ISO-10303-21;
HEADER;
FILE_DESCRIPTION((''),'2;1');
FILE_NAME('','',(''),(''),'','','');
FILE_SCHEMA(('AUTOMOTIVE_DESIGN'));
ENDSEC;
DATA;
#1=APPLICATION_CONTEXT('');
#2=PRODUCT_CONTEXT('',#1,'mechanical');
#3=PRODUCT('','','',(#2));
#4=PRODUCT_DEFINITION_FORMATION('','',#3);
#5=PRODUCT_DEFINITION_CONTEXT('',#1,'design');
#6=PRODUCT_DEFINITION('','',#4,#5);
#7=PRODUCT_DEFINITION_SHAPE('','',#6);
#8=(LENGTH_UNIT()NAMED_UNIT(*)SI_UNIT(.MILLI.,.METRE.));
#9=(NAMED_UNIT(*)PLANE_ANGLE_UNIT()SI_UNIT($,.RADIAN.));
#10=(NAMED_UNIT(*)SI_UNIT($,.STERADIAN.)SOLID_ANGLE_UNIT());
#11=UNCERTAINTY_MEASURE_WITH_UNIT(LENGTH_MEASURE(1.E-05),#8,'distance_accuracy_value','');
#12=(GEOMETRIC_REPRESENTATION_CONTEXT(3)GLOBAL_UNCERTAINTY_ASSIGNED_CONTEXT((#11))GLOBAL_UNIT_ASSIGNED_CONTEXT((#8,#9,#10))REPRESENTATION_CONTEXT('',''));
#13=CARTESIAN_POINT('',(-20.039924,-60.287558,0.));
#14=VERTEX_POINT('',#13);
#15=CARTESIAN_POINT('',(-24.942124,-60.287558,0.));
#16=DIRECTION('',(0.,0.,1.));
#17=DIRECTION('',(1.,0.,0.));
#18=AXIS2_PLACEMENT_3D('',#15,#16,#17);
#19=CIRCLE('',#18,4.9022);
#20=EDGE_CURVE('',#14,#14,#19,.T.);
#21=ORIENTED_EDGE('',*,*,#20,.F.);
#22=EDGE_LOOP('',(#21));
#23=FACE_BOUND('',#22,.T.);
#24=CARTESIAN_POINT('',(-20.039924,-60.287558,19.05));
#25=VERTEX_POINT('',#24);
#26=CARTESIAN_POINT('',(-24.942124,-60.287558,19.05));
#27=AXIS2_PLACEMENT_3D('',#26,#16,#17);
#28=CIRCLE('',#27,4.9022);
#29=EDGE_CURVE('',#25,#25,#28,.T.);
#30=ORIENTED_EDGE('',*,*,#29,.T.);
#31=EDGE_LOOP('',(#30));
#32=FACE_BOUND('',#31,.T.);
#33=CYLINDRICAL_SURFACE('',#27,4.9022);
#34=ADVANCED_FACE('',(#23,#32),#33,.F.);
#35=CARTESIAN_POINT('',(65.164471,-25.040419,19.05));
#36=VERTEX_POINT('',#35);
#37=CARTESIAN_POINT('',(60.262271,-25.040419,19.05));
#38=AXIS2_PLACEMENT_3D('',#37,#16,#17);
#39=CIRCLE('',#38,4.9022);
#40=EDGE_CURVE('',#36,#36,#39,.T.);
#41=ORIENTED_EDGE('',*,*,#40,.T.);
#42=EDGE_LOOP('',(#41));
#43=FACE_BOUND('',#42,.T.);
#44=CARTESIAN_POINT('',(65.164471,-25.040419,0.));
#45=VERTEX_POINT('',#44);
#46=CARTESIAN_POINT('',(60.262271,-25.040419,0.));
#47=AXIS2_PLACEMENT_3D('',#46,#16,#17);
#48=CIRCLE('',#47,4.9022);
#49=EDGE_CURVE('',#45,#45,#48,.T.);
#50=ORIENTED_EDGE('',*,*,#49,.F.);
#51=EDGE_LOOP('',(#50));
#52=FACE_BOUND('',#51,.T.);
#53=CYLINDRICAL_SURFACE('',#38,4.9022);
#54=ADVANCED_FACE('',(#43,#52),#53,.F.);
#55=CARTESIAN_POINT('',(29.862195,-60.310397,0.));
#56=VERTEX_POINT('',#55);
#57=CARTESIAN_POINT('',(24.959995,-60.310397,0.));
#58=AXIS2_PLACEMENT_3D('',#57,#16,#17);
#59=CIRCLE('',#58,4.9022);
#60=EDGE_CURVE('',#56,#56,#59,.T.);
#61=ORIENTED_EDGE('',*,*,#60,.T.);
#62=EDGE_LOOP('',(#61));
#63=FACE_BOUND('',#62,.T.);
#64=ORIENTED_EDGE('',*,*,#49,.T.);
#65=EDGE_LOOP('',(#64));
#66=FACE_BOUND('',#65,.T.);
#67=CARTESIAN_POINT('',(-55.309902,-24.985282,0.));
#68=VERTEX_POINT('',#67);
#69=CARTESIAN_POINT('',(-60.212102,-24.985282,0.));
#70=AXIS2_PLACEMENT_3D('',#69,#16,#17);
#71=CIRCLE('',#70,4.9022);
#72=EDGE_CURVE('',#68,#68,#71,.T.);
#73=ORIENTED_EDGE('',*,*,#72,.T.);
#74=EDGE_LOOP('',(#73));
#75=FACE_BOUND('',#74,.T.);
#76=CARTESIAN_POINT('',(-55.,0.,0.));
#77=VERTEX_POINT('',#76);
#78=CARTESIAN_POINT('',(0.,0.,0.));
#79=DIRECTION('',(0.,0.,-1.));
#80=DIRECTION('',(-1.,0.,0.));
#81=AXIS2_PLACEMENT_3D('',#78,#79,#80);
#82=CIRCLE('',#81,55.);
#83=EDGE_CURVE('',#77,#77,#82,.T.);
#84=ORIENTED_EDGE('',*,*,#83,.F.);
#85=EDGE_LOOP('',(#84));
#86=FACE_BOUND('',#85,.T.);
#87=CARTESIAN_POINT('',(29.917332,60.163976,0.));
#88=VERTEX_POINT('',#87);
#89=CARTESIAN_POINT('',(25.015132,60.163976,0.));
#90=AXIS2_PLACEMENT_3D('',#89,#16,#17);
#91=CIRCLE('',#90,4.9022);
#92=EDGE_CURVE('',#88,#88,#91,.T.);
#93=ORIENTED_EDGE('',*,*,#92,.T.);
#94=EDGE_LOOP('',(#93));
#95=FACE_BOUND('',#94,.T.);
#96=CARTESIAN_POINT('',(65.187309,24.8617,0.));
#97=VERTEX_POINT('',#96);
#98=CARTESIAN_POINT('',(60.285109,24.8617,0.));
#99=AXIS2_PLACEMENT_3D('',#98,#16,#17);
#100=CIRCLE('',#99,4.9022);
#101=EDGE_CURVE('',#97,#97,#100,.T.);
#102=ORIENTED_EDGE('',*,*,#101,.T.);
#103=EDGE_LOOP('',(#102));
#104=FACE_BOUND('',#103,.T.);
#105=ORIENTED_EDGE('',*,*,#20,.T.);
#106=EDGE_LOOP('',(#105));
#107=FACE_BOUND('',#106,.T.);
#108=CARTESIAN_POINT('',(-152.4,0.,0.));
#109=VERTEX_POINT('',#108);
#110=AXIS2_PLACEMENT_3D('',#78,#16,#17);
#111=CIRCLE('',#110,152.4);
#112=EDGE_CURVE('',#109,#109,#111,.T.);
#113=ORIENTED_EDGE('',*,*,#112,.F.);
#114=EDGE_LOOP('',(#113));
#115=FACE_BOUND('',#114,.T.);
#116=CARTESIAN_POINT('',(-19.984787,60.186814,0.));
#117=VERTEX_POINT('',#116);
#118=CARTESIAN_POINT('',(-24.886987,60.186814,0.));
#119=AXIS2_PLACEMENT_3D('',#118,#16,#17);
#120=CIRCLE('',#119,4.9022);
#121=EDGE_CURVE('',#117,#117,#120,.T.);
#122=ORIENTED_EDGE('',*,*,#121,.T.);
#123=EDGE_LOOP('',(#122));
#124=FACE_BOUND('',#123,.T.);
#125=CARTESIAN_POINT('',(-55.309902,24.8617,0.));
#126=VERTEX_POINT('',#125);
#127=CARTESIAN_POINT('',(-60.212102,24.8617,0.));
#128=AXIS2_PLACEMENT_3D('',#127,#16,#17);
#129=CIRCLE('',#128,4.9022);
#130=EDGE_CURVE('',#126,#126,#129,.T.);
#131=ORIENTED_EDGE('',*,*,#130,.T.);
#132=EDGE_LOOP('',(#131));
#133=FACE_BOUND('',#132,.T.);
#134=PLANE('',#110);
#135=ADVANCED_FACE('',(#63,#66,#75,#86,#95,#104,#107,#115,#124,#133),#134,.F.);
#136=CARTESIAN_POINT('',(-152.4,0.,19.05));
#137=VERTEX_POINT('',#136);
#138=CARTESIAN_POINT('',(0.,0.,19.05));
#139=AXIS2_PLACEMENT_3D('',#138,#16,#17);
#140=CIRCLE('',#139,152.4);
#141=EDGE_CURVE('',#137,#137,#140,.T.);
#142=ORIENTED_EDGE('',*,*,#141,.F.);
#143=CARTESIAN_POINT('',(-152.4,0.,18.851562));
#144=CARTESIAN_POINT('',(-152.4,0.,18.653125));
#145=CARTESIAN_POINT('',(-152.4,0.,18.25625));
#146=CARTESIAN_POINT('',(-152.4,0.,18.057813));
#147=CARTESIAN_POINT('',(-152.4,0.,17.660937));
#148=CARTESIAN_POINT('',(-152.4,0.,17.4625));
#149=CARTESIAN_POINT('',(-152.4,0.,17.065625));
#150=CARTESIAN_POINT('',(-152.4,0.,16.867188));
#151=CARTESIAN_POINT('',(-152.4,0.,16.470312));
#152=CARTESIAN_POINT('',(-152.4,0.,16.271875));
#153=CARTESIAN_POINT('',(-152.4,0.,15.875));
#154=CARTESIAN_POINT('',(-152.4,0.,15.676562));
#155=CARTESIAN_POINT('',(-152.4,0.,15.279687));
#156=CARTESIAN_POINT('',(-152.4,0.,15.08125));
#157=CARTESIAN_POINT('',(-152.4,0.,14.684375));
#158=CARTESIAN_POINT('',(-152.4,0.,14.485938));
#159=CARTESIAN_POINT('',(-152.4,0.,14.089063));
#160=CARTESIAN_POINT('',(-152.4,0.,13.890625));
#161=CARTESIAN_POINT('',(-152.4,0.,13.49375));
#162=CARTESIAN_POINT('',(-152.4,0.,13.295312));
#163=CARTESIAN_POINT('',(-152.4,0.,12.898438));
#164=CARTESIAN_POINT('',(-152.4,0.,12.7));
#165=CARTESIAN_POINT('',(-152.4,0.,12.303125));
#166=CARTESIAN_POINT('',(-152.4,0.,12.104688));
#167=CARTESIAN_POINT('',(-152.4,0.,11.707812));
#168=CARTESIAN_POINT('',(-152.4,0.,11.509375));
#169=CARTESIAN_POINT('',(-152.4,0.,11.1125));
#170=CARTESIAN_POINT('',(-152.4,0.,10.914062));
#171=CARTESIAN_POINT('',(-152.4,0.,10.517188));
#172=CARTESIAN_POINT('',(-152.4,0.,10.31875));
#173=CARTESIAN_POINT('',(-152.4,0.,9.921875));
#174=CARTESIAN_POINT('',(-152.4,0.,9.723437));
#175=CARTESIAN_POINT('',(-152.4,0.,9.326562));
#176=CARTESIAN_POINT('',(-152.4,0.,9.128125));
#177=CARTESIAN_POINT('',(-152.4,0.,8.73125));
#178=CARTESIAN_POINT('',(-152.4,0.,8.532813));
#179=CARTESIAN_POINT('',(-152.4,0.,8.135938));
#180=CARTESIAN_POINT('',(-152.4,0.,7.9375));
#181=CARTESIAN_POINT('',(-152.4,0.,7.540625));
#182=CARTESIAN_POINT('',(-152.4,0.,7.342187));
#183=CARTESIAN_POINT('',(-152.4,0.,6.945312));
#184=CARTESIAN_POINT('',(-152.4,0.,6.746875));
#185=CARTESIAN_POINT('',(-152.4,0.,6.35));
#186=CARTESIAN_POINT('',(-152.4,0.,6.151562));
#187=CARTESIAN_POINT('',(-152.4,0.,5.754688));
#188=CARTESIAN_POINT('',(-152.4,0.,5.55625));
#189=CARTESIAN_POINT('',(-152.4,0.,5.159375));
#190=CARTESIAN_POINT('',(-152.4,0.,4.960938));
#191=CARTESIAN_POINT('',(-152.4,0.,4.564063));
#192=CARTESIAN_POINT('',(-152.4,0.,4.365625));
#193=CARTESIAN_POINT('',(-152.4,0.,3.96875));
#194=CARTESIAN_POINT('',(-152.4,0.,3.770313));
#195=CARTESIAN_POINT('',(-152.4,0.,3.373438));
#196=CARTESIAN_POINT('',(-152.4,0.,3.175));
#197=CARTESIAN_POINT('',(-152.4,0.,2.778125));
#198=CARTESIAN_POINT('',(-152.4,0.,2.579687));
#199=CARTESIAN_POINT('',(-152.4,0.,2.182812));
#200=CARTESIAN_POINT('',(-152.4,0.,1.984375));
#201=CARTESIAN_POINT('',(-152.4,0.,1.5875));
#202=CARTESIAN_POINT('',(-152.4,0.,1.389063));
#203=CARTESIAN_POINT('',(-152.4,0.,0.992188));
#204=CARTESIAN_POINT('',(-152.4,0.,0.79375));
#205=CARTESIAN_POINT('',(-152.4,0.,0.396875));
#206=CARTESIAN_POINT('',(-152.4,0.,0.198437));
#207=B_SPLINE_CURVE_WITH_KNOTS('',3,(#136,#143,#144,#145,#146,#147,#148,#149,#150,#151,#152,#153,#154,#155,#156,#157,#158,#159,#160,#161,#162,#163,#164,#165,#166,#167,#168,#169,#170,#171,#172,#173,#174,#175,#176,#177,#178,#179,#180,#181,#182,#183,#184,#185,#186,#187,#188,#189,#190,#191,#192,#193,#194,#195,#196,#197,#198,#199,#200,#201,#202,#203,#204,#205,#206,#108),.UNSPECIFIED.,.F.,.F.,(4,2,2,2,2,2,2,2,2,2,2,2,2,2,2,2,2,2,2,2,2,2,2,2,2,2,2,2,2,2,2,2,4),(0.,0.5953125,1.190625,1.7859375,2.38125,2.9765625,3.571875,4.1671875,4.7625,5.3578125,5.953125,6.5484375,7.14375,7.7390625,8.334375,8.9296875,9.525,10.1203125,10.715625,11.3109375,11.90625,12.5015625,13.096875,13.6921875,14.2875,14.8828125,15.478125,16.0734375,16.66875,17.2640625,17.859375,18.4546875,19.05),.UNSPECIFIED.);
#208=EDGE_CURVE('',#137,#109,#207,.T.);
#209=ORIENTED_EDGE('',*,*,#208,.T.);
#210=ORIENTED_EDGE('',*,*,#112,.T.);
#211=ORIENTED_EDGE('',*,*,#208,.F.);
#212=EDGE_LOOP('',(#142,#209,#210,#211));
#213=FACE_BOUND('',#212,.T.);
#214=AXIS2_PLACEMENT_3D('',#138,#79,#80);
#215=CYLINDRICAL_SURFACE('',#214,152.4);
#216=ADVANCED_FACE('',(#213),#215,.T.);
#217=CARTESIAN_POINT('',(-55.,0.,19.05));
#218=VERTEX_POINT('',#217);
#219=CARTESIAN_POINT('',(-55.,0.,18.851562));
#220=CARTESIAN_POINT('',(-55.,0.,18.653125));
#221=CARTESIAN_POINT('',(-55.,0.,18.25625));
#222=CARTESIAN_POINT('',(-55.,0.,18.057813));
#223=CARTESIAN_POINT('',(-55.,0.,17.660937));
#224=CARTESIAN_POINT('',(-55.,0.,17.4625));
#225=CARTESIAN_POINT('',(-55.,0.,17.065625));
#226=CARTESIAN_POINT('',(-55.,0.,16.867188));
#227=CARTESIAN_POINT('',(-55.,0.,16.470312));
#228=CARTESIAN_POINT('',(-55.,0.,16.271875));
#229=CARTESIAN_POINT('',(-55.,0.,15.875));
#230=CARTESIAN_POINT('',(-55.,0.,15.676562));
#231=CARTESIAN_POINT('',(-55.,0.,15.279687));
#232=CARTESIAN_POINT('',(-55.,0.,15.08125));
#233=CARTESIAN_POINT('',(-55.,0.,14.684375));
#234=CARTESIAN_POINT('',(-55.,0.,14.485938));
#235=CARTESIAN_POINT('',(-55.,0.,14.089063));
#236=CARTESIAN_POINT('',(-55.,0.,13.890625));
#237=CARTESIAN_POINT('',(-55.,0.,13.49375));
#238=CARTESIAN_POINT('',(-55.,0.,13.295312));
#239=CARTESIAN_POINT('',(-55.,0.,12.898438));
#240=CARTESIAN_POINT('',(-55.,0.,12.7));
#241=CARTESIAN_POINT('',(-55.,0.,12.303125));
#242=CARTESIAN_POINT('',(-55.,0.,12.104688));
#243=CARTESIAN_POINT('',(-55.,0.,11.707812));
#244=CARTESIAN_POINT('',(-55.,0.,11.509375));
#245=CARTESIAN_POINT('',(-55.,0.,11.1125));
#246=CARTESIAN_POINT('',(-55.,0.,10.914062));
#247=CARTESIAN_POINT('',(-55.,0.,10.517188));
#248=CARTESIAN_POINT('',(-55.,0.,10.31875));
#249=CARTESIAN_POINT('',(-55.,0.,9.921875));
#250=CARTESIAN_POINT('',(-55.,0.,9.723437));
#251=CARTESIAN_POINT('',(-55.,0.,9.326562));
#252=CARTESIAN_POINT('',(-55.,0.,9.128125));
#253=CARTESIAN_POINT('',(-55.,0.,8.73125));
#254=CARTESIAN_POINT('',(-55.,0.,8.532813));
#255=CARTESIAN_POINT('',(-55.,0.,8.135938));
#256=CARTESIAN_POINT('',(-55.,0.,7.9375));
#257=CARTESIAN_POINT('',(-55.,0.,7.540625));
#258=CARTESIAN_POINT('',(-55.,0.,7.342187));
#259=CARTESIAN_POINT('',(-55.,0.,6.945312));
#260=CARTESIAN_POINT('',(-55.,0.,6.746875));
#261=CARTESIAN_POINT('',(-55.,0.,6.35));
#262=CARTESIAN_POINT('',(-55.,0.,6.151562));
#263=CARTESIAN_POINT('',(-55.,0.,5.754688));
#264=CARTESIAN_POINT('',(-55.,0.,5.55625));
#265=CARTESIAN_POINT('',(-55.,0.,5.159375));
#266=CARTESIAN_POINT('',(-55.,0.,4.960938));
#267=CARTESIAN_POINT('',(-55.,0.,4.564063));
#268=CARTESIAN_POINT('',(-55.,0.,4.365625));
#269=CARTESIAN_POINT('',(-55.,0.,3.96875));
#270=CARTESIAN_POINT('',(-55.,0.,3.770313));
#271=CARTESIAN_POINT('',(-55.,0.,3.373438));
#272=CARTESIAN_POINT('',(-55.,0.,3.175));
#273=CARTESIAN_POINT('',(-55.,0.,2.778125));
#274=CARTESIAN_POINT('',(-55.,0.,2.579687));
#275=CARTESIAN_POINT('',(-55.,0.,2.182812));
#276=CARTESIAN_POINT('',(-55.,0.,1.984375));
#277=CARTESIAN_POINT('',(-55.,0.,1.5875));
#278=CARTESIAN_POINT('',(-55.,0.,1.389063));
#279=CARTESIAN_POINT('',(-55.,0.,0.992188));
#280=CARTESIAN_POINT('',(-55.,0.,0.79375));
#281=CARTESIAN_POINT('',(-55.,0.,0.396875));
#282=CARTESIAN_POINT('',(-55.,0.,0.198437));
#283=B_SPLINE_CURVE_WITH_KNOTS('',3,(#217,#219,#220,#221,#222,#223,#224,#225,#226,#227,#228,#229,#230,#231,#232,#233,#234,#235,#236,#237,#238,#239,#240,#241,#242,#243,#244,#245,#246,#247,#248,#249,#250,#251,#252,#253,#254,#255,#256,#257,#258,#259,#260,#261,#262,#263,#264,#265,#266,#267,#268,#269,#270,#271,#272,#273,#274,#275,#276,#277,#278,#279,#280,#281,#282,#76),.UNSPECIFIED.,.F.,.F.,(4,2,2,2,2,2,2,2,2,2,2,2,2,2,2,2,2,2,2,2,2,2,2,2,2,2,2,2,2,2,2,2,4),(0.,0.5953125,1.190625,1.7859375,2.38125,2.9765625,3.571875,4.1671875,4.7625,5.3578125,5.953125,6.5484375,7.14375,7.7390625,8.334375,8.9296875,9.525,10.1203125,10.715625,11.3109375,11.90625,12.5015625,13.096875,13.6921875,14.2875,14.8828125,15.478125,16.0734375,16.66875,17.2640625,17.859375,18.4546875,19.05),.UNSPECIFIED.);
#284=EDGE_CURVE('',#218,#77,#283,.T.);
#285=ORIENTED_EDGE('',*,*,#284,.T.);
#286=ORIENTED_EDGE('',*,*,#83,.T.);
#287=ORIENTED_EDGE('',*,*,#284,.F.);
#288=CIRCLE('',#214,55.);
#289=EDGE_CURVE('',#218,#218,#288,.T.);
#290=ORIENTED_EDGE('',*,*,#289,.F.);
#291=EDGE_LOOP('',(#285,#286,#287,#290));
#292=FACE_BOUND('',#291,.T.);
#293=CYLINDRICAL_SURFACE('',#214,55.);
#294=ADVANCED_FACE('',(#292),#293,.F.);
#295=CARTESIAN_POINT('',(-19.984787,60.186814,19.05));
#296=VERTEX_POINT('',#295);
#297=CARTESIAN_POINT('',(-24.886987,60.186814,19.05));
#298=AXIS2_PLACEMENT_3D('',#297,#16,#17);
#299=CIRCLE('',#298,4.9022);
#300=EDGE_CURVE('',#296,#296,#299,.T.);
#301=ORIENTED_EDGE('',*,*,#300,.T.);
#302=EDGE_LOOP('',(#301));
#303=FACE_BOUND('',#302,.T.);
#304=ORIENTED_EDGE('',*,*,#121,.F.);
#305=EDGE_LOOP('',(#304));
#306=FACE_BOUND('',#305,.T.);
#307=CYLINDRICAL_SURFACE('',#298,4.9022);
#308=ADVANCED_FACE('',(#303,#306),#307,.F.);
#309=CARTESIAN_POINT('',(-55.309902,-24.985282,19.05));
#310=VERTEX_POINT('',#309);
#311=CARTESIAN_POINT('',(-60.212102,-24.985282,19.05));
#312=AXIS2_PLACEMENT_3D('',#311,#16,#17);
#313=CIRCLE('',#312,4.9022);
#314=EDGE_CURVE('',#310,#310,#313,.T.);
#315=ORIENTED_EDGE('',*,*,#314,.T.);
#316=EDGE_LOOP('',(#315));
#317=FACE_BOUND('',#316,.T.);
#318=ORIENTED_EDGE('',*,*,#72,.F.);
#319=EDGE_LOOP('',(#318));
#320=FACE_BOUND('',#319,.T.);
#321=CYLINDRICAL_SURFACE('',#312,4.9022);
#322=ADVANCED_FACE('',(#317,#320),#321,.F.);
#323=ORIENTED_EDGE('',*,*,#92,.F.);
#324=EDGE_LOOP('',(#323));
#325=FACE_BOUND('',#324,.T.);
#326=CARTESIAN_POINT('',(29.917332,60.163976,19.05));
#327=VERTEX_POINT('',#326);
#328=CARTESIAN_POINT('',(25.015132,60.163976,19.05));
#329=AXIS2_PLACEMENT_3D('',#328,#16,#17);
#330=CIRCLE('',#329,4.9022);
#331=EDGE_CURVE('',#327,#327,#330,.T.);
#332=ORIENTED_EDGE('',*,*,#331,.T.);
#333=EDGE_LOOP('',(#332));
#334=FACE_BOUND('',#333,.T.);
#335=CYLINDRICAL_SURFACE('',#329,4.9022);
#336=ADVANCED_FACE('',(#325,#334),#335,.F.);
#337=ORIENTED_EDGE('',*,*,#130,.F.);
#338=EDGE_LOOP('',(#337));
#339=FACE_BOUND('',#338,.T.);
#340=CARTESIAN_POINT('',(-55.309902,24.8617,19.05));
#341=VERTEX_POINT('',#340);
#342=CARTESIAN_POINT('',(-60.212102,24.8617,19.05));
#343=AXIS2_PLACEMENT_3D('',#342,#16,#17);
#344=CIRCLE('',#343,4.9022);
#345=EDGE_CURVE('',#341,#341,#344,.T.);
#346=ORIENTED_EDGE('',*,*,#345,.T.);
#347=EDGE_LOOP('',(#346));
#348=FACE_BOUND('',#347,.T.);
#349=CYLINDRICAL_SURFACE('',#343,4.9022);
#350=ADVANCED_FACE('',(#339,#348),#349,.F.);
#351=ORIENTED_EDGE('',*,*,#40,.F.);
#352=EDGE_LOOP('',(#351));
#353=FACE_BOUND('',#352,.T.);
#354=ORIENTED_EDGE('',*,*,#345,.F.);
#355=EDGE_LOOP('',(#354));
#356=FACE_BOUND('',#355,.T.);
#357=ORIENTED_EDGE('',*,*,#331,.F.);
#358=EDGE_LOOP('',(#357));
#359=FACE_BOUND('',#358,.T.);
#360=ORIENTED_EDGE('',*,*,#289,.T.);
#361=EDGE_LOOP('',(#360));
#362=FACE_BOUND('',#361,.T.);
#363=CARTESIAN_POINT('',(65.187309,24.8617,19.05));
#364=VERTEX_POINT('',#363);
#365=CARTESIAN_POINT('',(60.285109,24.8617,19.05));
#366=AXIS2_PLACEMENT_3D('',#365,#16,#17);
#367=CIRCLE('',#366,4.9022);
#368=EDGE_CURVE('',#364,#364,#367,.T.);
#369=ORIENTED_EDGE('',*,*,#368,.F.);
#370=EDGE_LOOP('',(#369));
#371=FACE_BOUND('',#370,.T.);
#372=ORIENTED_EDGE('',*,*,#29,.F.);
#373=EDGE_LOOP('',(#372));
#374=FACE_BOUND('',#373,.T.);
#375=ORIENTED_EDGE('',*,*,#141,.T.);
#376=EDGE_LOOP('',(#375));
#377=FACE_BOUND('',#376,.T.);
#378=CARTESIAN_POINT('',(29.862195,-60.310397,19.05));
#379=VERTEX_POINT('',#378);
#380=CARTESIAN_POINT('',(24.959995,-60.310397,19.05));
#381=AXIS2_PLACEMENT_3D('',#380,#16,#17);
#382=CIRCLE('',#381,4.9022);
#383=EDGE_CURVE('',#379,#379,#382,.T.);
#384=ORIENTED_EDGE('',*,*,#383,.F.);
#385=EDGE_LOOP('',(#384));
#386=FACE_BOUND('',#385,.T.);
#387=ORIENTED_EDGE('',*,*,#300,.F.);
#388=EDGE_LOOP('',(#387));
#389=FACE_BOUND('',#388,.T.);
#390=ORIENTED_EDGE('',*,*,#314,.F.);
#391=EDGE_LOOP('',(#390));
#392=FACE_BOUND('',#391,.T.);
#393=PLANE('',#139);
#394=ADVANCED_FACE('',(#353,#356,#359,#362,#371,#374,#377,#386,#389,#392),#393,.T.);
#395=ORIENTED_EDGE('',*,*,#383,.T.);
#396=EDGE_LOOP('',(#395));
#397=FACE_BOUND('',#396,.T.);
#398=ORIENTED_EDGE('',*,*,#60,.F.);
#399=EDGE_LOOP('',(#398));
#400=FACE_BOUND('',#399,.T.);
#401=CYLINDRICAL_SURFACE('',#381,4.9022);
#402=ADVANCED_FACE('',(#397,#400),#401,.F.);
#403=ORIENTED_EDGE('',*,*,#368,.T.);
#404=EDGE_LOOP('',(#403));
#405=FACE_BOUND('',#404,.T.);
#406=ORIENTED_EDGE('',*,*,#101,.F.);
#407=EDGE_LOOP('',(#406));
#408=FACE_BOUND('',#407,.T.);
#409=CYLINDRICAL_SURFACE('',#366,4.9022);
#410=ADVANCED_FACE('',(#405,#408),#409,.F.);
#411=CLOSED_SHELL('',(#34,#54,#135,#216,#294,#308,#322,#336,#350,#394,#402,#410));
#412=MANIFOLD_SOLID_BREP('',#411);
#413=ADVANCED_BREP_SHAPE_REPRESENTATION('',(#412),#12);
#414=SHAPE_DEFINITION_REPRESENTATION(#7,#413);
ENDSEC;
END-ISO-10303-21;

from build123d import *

# Parameters (mm, degrees)
SKETCH1_R               = 152.4
BOSS_EXTRUDE1_DEPTH     = 19.05
SKETCH5_R               = 55
CUT_EXTRUDE1_DEPTH      = 217.366407975
F_3_8_CLEARANCE_HOLE1_D = 9.8044


with BuildPart() as part:
    # Sketch1 → Boss-Extrude1 (new body)
    with BuildSketch(Plane.XY):
        with Locations(Location((0, 0, 0), (0, 0, 180))):
            Circle(SKETCH1_R)
    extrude(amount=BOSS_EXTRUDE1_DEPTH)

    # Sketch5 → Cut-Extrude1 (cut, through all)
    with BuildSketch(Plane(origin=(0, 0, 0), x_dir=(-1, 0, 0), z_dir=(0, 0, -1))):
        Circle(SKETCH5_R)
    extrude(amount=-CUT_EXTRUDE1_DEPTH, mode=Mode.SUBTRACT)

    # 3/8 Clearance Hole1 (through all)
    with Locations(Plane.XY.offset(19.05)):
        with Locations((60.285109168, 24.861699689), (60.262270723, -25.040419345), (-24.942124319, -60.287558469), (-60.212101884, -24.985282473), (24.959994735, -60.310396903), (-60.212101884, 24.861699689), (-24.88698742, 60.186814133), (25.015131626, 60.163975676)):
            Hole(F_3_8_CLEARANCE_HOLE1_D / 2)


solid = part.part
